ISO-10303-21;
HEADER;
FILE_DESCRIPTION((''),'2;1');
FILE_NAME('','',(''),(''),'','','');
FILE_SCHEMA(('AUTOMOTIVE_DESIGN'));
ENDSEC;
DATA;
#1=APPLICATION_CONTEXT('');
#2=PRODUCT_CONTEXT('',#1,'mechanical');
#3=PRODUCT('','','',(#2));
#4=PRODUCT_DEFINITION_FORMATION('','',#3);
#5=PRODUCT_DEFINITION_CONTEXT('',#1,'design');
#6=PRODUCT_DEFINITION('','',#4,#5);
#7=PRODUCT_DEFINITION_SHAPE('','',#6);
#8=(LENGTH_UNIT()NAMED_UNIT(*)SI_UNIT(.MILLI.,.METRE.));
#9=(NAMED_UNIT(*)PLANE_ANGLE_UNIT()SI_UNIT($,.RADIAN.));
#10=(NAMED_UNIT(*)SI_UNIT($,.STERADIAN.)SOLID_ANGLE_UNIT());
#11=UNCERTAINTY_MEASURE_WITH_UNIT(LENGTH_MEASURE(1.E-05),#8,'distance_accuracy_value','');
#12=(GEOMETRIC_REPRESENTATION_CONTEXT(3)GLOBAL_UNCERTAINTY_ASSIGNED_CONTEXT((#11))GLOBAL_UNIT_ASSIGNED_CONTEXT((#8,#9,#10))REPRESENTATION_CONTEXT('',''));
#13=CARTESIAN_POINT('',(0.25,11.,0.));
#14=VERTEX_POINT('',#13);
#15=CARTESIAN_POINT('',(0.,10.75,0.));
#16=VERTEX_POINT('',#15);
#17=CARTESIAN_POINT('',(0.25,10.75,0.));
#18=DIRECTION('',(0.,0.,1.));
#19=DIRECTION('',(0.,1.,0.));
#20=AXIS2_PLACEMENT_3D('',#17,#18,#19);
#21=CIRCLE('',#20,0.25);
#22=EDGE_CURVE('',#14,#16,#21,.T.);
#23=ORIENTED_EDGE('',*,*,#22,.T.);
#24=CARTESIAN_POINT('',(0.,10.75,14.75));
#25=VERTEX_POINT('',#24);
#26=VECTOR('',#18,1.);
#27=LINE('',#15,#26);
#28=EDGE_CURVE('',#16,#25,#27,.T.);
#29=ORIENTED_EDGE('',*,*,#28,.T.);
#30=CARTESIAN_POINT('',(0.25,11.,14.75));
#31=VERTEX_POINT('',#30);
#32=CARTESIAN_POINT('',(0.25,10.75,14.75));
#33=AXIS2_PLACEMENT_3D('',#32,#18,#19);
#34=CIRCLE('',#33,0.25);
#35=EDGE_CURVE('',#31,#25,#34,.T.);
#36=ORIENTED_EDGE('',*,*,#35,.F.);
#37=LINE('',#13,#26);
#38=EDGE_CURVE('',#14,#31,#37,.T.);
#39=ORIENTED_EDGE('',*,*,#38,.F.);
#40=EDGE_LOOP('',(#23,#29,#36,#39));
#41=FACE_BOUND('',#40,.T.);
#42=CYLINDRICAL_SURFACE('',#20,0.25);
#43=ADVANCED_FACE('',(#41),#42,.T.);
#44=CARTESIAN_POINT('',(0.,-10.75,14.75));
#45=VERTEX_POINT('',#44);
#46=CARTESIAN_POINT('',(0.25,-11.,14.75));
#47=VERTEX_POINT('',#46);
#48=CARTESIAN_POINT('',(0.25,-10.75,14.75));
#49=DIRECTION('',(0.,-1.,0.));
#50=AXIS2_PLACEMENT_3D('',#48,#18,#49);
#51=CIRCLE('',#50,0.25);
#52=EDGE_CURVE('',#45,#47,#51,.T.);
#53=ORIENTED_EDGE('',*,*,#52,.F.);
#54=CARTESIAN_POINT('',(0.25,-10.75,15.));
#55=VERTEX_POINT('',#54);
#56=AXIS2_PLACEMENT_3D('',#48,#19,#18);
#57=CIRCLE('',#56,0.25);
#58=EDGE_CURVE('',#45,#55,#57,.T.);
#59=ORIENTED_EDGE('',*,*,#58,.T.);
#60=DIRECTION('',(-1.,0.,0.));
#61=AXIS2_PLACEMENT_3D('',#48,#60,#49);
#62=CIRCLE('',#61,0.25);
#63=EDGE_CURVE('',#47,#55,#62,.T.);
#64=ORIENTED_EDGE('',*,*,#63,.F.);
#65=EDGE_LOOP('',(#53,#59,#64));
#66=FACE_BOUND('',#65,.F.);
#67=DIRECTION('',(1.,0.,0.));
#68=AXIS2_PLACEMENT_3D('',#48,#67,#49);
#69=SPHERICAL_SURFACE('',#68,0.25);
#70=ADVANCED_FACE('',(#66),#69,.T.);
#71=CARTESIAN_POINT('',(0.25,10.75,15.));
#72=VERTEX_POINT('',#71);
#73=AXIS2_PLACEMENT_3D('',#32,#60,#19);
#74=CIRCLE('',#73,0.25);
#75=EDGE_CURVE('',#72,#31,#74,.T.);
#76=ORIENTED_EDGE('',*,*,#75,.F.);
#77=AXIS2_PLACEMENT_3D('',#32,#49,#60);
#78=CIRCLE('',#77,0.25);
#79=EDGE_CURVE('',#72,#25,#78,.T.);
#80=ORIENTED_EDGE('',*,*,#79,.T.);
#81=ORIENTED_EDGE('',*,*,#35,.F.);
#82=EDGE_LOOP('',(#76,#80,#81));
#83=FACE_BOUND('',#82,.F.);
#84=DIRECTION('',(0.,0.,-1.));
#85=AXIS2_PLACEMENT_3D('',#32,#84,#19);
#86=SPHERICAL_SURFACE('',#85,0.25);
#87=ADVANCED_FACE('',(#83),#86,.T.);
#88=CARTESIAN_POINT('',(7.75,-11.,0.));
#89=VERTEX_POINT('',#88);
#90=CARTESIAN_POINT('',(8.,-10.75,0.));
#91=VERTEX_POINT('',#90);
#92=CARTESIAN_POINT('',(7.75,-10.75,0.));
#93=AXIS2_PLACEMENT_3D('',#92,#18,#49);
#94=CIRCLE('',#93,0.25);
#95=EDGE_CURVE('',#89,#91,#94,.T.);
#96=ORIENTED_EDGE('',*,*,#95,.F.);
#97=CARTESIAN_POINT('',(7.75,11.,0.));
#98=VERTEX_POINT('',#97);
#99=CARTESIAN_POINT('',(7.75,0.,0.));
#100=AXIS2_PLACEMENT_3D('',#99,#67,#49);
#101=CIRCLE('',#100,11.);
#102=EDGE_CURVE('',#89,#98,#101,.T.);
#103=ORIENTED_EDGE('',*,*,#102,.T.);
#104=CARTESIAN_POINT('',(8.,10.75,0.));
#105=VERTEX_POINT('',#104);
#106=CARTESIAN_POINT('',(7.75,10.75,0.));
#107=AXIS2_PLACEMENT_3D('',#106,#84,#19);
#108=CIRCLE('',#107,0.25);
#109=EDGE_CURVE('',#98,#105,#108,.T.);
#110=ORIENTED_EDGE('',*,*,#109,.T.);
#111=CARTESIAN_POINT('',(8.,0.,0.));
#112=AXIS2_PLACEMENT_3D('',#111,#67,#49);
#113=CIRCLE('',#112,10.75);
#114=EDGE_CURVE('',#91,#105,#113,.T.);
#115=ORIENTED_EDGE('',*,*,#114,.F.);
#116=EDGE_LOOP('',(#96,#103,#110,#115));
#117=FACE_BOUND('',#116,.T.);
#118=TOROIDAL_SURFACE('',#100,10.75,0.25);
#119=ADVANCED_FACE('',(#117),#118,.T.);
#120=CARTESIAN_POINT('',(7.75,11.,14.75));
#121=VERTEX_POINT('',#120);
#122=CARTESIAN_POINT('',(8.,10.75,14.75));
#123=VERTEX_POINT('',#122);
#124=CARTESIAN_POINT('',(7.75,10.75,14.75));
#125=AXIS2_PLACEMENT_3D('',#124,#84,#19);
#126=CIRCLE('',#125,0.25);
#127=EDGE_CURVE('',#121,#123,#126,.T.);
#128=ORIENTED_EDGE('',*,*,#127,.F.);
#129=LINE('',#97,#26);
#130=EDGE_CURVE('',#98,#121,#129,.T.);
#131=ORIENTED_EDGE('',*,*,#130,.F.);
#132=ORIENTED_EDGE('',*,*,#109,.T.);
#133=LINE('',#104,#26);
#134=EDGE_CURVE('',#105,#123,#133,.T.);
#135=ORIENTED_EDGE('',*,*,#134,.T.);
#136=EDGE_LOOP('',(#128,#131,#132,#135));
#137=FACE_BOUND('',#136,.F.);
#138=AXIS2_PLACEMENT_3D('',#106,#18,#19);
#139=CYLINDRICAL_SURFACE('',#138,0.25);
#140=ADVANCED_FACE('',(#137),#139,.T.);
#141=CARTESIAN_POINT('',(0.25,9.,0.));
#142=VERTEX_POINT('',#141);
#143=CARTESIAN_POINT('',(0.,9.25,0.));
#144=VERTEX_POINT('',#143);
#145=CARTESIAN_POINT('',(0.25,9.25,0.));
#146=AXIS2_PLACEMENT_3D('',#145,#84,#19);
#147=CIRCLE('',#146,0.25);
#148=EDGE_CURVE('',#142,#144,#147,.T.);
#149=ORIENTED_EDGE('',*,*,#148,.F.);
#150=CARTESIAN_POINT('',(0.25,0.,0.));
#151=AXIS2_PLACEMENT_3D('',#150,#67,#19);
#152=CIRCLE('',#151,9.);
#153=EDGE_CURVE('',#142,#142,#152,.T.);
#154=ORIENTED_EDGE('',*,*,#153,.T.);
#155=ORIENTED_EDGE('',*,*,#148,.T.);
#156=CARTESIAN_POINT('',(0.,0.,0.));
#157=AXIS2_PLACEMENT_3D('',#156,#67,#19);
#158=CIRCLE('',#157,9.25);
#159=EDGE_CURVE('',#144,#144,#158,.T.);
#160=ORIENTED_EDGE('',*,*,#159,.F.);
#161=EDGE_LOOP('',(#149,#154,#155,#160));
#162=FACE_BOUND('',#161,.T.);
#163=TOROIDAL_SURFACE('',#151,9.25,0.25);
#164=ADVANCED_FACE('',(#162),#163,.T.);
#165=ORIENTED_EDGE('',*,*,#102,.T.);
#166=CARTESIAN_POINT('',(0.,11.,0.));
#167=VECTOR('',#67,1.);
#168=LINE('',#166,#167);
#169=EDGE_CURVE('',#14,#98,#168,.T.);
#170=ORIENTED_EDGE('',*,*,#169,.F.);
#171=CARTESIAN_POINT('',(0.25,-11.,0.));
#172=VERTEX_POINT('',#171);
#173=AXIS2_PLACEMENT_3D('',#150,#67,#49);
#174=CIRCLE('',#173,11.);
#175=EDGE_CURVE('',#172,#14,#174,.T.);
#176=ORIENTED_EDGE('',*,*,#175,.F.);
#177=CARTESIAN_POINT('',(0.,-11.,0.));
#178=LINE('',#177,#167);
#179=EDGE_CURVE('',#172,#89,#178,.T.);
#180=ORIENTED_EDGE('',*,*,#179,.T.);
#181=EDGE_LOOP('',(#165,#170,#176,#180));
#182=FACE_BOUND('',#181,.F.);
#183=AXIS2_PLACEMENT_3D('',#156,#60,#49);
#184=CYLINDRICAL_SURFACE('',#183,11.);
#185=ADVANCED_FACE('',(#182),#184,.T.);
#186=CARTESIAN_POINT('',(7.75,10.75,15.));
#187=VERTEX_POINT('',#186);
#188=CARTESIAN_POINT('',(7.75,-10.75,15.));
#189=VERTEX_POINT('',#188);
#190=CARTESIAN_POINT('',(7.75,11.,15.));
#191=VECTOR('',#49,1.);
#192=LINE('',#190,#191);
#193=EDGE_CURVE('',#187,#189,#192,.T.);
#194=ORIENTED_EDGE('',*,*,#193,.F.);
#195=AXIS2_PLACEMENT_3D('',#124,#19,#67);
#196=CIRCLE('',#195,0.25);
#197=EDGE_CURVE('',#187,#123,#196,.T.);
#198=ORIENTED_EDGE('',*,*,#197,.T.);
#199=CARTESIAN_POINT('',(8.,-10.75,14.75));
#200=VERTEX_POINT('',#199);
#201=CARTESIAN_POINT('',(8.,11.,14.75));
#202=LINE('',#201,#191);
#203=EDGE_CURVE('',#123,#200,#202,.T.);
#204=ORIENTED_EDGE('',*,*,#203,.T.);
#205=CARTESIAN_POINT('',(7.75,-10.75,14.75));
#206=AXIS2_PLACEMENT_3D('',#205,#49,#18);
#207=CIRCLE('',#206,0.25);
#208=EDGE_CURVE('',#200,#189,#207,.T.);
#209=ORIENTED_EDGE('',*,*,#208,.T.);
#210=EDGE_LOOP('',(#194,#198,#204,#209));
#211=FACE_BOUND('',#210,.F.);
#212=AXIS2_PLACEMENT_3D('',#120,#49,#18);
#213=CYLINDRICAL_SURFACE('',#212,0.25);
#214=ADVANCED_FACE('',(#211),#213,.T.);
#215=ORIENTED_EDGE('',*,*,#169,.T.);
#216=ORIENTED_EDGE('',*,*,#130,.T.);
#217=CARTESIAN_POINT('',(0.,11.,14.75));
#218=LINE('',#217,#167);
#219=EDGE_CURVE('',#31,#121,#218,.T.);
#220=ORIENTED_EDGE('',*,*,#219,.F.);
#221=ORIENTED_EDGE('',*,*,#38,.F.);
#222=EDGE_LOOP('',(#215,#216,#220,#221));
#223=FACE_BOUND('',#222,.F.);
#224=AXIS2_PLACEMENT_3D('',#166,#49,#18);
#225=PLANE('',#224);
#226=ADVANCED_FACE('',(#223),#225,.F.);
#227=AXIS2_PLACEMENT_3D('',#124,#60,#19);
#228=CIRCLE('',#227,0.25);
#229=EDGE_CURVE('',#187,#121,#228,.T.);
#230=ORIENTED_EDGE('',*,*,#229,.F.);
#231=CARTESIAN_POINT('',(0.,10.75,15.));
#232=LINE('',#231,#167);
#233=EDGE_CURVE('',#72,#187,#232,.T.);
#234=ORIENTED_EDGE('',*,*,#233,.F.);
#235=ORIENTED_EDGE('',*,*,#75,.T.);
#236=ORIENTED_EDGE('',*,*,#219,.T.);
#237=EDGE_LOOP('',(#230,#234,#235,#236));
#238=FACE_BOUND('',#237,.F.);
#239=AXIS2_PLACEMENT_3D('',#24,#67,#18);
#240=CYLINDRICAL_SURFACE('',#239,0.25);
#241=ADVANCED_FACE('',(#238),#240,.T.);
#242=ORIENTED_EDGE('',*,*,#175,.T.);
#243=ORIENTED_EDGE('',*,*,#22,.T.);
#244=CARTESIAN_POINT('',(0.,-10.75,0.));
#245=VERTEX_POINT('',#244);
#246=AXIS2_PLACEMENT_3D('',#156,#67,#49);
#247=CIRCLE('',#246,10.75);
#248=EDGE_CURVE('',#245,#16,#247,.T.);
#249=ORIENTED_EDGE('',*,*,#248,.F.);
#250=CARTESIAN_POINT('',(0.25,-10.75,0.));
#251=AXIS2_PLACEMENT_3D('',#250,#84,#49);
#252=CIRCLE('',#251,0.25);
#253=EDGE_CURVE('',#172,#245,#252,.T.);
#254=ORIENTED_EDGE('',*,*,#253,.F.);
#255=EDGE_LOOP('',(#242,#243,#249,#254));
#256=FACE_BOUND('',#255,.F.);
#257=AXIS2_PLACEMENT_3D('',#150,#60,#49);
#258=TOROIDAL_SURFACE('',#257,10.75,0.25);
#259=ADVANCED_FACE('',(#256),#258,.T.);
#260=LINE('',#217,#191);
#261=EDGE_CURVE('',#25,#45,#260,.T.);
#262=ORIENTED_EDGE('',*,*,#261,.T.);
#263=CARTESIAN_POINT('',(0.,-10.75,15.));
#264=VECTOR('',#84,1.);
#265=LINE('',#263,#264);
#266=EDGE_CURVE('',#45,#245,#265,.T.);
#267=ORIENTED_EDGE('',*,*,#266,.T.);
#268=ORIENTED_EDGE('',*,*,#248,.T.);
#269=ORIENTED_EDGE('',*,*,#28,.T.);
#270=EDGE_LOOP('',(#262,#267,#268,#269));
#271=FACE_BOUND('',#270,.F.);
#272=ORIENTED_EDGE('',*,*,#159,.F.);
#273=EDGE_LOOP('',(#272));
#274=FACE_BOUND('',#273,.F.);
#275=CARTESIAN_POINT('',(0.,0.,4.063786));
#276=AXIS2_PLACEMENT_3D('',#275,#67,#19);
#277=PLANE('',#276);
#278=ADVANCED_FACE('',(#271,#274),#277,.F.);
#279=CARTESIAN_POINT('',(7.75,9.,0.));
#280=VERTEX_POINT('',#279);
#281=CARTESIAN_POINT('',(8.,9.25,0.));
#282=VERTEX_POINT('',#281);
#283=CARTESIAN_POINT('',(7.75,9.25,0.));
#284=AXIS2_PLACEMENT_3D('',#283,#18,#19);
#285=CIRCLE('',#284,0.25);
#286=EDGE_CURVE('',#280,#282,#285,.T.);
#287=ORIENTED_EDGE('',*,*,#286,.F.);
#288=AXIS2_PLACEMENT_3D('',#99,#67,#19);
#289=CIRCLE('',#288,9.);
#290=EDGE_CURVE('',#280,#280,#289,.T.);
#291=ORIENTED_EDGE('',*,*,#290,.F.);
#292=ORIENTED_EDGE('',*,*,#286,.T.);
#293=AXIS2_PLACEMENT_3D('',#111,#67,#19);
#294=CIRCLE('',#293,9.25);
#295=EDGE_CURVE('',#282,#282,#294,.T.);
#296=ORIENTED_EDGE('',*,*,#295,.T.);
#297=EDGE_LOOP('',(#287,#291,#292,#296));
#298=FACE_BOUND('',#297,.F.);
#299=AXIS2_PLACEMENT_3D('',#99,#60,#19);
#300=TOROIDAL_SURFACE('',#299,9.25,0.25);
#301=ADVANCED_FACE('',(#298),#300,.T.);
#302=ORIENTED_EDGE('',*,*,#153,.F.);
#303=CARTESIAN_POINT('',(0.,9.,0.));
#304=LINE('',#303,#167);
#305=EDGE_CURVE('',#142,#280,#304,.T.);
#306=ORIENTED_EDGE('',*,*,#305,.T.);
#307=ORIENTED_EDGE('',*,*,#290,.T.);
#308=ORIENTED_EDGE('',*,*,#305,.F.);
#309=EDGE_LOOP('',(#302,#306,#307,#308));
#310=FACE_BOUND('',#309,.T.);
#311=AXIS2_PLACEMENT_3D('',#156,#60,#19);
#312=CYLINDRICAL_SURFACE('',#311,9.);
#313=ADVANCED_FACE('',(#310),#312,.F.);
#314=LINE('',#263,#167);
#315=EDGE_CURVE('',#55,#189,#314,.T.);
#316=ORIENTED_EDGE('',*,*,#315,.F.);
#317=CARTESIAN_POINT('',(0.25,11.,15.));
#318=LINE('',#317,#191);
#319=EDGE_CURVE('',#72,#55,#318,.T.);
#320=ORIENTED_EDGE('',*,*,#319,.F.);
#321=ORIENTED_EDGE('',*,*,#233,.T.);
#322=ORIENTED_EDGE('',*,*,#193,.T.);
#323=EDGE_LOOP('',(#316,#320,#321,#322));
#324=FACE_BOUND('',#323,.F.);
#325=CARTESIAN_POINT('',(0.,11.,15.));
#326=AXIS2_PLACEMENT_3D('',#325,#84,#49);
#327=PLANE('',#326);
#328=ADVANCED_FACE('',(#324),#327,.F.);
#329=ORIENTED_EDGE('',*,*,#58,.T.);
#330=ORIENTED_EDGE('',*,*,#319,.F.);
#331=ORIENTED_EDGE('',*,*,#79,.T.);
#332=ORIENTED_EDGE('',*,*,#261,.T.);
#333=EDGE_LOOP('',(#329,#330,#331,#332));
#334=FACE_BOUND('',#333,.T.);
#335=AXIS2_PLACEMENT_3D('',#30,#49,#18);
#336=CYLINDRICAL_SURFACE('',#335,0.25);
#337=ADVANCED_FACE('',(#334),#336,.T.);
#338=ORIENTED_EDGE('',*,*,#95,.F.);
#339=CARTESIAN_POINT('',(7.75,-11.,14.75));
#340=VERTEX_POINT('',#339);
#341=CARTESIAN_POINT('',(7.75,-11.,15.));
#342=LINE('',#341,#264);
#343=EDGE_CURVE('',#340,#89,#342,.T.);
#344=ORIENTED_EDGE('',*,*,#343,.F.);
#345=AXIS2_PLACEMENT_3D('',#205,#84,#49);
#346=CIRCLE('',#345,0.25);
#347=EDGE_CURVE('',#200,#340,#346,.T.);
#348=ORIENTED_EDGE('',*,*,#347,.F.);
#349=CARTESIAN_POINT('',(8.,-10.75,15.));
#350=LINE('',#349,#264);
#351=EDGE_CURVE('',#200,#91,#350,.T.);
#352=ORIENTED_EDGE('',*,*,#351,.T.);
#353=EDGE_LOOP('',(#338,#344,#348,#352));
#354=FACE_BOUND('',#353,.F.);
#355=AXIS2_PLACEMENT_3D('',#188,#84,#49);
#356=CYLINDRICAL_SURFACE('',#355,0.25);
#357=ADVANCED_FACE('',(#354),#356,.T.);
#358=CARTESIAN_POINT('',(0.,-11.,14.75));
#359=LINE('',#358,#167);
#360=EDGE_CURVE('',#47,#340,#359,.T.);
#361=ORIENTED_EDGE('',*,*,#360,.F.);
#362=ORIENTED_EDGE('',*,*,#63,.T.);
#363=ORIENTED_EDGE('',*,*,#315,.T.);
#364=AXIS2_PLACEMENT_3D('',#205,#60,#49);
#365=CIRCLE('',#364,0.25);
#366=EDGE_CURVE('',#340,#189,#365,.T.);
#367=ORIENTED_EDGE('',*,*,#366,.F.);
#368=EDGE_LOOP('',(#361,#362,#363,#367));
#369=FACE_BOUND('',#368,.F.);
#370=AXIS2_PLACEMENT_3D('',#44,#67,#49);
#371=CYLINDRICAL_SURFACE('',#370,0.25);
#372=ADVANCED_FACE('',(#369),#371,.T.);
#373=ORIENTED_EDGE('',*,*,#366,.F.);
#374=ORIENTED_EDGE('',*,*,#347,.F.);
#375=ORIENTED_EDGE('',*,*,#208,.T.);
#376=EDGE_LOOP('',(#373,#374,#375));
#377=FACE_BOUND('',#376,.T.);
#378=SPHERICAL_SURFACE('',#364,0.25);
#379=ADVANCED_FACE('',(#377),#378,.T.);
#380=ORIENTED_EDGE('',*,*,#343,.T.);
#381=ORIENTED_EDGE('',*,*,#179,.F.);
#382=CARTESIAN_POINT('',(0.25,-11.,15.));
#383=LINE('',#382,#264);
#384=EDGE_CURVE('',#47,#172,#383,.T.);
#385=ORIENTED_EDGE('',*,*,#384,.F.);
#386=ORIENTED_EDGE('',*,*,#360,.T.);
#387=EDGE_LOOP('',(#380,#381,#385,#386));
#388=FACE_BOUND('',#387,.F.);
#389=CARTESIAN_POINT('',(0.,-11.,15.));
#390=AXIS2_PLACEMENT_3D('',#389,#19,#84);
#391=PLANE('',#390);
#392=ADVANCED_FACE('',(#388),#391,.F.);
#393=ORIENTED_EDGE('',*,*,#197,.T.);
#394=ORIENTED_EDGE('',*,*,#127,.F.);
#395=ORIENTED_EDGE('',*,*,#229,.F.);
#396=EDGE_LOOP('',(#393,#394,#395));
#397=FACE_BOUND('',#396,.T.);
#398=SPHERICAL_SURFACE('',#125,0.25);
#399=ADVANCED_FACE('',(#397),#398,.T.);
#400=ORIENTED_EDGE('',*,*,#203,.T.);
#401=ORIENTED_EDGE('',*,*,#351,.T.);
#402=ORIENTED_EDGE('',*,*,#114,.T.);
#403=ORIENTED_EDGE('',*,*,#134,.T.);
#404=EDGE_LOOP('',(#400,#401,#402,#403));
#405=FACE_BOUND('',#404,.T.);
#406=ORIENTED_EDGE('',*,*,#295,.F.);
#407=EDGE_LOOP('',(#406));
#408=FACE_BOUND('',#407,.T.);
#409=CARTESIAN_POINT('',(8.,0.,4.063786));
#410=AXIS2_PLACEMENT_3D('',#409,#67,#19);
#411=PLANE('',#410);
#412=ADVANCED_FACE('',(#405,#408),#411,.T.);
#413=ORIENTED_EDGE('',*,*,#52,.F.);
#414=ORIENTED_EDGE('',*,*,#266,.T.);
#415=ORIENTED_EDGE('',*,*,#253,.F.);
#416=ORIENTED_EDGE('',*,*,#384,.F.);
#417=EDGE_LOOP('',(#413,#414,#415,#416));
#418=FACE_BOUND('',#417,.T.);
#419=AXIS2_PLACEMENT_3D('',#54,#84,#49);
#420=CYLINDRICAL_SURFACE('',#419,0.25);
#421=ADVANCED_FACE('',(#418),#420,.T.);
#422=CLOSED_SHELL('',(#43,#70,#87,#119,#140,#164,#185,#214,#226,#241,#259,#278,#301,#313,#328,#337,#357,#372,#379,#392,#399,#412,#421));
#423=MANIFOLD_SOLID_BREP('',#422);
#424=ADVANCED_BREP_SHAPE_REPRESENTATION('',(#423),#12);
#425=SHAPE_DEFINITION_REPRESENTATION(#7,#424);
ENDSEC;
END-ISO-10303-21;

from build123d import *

# Parameters (mm, degrees)
F0_R     = 9
F1_DEPTH = 8
F2_R     = 0.25


with BuildPart() as f1:
    # F0 (on Right) → F1 (new body)
    with BuildSketch(Plane.YZ):
        with BuildLine():
            Line((-11, 15), (-11, 0))
            ThreePointArc((-11, 0), (0, -11), (11, 0))
            Line((11, 0), (11, 15))
            Line((11, 15), (-11, 15))
        make_face()
        Circle(F0_R, mode=Mode.SUBTRACT)
    extrude(amount=F1_DEPTH)

    # F2
    f2_edges = [f1.edges().sort_by_distance(p)[0] for p in [
        (4, -11, 15),
        (4, -11, 0),
        (0, -11, 7.5),
        (8, -11, 7.5),
        (4, 11, 15),
        (0, 0, 15),
        (8, 0, 15),
        (4, 11, 0),
        (0, 0, -11),
        (8, 0, -11),
        (4, 9, 0),
        (0, -9, 0),
        (8, -9, 0),
        (0, 11, 7.5),
        (8, 11, 7.5),
    ]]
    fillet(f2_edges, radius=F2_R)


solid = f1.part
